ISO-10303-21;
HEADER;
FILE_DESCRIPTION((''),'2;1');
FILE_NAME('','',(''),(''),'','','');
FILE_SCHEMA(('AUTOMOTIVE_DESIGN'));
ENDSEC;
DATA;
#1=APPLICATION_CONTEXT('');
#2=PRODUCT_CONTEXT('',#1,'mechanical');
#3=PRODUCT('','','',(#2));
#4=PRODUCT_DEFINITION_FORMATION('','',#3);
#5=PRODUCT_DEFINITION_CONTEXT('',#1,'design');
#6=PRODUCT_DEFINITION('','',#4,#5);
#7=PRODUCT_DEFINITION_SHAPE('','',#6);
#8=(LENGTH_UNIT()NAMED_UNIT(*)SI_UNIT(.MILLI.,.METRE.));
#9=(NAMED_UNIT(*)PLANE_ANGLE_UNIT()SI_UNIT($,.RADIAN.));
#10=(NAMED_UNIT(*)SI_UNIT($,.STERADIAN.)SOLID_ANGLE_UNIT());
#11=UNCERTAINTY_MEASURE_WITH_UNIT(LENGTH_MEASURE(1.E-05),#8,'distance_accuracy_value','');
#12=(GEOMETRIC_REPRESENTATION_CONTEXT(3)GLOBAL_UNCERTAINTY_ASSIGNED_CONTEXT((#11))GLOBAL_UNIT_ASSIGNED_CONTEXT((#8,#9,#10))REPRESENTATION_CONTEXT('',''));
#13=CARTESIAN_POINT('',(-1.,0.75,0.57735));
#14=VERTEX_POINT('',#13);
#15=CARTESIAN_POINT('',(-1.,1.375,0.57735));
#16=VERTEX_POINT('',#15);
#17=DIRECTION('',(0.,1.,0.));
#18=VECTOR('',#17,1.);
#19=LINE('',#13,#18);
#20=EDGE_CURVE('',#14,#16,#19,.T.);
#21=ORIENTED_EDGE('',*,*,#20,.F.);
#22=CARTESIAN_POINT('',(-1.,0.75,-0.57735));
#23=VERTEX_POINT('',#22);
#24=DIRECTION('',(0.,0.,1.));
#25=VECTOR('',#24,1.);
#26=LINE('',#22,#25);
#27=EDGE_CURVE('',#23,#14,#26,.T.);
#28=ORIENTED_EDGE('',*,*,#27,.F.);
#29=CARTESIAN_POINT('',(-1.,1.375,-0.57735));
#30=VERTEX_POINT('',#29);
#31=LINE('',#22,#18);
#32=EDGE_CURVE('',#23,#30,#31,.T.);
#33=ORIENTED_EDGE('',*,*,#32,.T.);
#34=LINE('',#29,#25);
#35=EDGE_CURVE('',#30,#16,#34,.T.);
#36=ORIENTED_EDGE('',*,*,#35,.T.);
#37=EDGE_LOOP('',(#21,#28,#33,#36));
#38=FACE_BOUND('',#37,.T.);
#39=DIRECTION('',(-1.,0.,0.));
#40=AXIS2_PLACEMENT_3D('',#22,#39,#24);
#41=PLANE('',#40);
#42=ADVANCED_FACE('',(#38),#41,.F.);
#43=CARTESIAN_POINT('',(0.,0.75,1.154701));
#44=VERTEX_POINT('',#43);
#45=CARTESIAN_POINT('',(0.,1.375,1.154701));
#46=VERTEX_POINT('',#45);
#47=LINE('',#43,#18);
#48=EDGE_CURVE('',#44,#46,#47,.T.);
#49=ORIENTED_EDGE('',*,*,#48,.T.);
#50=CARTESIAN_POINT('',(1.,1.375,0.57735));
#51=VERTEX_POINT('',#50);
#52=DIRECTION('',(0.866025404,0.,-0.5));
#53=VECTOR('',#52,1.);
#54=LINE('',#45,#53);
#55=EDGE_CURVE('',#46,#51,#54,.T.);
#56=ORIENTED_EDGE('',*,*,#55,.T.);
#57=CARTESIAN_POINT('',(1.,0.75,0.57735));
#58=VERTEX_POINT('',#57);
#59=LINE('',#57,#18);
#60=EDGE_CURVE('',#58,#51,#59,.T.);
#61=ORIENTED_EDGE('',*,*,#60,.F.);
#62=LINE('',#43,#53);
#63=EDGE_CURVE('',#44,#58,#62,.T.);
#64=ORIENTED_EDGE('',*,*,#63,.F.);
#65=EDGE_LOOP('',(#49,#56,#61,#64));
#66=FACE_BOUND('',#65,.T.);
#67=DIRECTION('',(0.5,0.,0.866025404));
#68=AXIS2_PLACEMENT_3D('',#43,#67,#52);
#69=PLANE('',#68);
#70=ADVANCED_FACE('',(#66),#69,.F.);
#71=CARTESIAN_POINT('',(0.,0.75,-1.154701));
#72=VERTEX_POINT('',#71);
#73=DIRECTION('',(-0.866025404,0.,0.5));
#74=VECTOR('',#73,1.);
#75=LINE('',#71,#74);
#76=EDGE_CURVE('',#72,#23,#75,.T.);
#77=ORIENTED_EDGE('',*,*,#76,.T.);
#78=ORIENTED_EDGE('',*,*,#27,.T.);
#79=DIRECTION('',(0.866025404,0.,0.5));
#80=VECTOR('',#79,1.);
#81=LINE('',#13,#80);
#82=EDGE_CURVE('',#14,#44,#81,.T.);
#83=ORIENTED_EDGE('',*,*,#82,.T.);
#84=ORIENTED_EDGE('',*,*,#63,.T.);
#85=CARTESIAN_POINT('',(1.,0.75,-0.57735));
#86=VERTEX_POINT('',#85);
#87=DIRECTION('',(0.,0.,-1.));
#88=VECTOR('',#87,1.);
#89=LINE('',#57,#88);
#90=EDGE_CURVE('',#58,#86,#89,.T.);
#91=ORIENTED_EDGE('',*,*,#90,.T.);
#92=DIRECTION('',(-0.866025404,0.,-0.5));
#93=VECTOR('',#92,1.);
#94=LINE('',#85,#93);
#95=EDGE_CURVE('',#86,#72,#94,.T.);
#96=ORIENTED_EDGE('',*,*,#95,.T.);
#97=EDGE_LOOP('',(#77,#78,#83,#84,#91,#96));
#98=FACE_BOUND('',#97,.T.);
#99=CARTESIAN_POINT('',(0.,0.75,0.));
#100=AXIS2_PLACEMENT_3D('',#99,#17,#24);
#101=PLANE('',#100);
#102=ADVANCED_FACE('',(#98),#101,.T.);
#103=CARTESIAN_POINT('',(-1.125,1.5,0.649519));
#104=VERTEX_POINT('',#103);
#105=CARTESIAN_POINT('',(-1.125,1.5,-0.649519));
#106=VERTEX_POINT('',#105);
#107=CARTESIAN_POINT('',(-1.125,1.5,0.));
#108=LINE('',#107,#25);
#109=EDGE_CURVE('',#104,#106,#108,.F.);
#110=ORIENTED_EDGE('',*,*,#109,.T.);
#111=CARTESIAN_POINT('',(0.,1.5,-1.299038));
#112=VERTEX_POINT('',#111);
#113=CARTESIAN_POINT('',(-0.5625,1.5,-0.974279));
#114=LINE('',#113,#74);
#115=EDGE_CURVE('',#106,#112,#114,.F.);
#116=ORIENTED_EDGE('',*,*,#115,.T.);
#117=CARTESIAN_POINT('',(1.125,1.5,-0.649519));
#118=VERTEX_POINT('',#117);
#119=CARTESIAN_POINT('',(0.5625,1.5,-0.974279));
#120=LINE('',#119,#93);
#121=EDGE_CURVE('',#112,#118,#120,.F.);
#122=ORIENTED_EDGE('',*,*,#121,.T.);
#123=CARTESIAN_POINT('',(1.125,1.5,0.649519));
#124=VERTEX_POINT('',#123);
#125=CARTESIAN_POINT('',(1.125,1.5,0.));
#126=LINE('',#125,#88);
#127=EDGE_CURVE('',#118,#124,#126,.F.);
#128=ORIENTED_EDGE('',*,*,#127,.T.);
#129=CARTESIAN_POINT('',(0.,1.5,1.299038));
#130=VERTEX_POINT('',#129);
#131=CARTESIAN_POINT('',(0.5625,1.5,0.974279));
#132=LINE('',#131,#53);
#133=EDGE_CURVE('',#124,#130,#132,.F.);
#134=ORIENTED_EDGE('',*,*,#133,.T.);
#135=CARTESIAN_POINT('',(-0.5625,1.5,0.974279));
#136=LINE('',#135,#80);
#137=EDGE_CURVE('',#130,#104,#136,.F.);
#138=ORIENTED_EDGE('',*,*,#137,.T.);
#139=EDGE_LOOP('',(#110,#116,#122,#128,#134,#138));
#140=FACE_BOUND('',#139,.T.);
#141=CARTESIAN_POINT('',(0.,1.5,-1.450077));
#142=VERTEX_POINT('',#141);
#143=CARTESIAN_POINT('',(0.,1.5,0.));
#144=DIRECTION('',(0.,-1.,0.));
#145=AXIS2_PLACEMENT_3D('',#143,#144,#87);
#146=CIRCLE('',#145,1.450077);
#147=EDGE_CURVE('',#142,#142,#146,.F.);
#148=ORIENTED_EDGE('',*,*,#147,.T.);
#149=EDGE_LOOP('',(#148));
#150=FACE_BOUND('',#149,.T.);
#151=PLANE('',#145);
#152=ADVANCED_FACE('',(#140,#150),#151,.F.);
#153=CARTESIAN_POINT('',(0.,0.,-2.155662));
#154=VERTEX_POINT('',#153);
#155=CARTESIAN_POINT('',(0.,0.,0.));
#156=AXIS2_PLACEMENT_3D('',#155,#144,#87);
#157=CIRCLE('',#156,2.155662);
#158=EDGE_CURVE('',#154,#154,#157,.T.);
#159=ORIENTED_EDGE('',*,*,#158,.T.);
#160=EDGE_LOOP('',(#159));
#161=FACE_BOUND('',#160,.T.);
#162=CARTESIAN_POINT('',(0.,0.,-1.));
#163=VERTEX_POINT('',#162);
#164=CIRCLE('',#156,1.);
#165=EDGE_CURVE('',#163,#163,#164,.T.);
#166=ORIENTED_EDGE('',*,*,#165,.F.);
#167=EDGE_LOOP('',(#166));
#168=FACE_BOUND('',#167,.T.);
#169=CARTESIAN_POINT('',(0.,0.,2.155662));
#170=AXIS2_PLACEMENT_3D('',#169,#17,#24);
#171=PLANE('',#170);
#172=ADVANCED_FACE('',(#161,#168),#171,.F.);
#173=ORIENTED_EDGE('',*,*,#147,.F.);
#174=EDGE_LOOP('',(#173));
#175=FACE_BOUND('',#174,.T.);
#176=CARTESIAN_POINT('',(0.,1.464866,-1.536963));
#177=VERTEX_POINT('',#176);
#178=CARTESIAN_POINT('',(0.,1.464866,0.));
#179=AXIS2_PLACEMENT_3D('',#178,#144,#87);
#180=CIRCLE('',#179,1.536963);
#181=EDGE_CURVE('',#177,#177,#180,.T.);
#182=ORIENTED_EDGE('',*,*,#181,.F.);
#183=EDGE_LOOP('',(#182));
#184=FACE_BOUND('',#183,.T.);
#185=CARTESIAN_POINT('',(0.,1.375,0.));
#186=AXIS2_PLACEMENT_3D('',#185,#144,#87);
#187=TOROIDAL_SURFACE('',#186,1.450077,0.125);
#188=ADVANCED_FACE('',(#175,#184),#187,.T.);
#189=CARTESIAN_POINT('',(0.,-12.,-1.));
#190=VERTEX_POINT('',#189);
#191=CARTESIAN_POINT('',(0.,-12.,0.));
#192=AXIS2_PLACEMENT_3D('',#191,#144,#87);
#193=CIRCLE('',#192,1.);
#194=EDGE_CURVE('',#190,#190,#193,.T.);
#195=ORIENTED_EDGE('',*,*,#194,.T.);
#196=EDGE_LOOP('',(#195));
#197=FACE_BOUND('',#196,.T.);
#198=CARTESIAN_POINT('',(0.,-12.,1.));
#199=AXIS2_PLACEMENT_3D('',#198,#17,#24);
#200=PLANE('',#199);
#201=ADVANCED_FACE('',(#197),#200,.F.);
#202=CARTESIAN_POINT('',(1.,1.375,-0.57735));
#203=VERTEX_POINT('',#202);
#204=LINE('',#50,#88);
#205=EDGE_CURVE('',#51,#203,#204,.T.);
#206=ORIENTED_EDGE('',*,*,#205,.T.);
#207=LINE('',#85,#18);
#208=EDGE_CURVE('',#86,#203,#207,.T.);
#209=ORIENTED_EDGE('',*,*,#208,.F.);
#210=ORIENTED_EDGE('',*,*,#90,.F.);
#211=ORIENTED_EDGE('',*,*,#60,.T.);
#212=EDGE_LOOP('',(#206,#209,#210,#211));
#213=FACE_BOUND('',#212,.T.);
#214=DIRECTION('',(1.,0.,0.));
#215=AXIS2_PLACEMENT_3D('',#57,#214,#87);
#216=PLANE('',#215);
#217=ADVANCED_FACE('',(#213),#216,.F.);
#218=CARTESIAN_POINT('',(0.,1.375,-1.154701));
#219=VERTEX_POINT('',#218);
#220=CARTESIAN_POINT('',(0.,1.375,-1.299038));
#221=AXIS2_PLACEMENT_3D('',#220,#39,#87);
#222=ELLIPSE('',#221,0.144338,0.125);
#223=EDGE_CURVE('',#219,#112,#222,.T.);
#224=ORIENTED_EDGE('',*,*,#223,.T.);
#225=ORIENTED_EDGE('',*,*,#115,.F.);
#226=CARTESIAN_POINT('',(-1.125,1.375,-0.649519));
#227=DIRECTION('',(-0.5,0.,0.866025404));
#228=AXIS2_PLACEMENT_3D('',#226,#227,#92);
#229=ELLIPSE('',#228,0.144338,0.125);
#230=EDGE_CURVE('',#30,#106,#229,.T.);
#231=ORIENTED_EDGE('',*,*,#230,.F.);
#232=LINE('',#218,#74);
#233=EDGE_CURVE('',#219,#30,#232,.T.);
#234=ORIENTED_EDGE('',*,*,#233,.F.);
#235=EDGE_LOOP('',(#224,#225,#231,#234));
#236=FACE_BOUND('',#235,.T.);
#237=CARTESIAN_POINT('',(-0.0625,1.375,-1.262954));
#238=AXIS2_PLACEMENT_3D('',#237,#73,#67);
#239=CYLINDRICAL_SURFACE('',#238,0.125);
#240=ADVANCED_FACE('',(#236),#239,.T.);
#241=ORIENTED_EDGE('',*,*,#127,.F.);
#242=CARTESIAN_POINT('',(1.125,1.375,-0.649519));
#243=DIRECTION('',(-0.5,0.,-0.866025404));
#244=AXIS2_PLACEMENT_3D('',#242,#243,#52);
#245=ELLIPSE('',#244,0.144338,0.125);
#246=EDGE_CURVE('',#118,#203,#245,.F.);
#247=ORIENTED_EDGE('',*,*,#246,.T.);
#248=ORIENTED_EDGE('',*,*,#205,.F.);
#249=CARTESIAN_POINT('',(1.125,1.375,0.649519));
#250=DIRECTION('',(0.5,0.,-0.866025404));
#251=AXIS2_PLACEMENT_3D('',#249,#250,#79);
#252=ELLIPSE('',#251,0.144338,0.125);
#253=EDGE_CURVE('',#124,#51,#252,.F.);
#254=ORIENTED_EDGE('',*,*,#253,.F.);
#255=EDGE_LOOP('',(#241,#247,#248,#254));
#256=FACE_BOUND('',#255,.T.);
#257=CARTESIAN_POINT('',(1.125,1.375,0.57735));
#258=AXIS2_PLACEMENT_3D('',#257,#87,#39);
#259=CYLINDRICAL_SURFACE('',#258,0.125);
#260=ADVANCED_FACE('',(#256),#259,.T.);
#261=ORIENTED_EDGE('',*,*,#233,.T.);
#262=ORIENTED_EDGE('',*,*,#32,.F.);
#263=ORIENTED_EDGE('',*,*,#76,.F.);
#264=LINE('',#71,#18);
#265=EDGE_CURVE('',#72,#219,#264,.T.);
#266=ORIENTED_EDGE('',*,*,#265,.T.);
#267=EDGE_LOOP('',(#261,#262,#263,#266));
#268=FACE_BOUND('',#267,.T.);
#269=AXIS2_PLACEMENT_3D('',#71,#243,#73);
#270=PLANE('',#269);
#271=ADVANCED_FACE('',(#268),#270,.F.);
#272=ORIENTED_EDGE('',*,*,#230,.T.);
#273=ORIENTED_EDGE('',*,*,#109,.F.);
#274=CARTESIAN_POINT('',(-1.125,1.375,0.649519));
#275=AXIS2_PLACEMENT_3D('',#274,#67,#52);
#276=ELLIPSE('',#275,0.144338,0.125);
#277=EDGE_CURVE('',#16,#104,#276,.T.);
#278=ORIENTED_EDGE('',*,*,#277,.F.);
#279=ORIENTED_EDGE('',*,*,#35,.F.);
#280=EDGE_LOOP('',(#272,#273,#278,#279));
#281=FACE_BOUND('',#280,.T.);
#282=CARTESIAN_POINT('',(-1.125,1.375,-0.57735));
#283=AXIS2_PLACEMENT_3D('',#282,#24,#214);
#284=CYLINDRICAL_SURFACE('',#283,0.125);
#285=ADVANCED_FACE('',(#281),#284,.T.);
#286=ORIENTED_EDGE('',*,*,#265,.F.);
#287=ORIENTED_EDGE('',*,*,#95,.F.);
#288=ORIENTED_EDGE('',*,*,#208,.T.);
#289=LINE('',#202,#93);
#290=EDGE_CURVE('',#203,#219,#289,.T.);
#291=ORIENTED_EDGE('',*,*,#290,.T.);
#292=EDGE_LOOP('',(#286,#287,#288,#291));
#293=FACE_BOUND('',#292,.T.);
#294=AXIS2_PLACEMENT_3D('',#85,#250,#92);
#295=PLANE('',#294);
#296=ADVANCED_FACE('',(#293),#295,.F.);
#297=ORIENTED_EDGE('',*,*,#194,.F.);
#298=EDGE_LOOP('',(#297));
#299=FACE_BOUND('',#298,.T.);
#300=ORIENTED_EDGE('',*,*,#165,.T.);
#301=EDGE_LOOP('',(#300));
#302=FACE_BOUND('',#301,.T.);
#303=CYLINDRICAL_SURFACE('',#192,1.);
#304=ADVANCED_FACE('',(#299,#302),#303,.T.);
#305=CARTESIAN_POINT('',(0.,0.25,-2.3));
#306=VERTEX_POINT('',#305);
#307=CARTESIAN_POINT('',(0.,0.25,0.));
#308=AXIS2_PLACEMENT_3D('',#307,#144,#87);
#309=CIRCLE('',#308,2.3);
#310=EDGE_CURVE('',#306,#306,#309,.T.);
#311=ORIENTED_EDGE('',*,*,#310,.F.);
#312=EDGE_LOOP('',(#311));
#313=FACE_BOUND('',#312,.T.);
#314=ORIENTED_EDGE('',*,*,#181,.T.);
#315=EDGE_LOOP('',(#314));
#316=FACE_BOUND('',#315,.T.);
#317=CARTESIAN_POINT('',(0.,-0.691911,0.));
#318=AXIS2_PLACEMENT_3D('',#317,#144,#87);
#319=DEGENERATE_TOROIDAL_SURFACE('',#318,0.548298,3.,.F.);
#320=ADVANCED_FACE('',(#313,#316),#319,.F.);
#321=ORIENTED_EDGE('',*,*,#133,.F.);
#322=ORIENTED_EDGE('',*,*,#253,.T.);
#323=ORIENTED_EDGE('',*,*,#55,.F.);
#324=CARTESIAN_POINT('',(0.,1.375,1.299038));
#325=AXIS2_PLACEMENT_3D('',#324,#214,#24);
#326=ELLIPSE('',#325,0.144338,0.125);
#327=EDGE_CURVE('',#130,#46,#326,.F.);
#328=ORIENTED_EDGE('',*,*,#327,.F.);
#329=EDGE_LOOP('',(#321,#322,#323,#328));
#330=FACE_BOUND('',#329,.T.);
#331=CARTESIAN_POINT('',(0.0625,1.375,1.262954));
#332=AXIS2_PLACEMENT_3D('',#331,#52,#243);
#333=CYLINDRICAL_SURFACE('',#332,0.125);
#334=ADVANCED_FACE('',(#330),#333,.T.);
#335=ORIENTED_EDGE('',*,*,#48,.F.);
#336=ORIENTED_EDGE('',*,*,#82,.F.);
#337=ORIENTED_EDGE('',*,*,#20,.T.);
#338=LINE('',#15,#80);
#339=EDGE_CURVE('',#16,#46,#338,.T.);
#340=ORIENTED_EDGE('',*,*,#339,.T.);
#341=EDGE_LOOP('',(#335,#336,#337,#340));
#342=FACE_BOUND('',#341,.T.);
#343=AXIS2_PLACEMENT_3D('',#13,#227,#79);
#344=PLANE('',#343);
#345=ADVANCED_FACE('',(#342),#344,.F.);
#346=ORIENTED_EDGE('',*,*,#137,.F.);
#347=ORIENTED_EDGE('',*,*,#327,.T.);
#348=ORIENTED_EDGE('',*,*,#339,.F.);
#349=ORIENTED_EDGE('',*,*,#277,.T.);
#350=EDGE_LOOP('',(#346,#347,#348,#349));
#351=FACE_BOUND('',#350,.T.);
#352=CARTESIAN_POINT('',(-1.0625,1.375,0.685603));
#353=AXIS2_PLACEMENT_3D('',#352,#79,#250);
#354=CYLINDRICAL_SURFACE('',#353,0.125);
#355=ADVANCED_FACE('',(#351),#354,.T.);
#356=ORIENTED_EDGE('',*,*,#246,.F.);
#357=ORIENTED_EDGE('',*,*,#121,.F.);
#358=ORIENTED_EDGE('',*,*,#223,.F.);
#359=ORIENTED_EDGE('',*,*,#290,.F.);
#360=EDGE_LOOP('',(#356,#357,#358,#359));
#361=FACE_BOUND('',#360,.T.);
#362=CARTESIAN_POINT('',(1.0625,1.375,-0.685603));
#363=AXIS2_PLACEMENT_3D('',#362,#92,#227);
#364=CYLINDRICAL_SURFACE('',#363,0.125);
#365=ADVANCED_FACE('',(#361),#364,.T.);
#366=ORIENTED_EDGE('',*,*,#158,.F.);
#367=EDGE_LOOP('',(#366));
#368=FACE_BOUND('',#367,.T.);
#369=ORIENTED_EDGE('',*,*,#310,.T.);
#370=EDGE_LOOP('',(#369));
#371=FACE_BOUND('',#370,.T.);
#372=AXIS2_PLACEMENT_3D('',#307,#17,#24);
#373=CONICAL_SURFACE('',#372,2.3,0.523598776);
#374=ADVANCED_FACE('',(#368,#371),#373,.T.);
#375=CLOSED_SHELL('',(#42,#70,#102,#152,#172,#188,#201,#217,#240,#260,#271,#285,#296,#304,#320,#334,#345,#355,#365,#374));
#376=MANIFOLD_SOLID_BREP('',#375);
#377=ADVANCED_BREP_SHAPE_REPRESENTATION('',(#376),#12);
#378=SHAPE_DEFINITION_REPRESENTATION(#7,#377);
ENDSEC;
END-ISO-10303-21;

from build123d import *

# Parameters (mm, degrees)
CUT_EXTRUDE1_DEPTH = 0.75
FILLET1_R          = 0.125


with BuildPart() as part:
    # Sketch1 → Revolve1 (revolve)
    with BuildSketch(Plane(origin=(0, 0, 0), x_dir=(0, 0, -1), z_dir=(1, 0, 0))):
        with BuildLine():
            Line((0, 1.5), (-1.5, 1.5))
            ThreePointArc((-1.5, 1.5), (-1.978515811, 0.925250119), (-2.3, 0.25))
            Line((-2.3, 0.25), (-2.155662433, 0))
            Line((-2.155662433, 0), (-1, 0))
            Line((-1, 0), (-1, -12))
            Line((-1, -12), (0, -12))
            Line((0, -12), (0, 1.5))
        make_face()
    revolve(axis=Axis((0, -12, 0), (0, 1, 0)))

    # Sketch2 → Cut-Extrude1 (cut)
    with BuildSketch(Plane(origin=(0, 1.5, 0), x_dir=(1, 0, 0), z_dir=(0, 1, 0))):
        Polygon((0, 1.154700538), (-1, 0.577350269), (-1, -0.577350269), (0, -1.154700538), (1, -0.577350269), (1, 0.577350269), align=None)
    extrude(amount=-CUT_EXTRUDE1_DEPTH, mode=Mode.SUBTRACT)

    # Fillet1
    fillet1_edges = [part.edges().sort_by_distance(p)[0] for p in [
        (0.5, 1.5, -0.866025404),
        (-0.5, 1.5, -0.866025404),
        (-1, 1.5, 0),
        (-0.5, 1.5, 0.866025404),
        (0.5, 1.5, 0.866025404),
        (1, 1.5, 0),
        (0, 1.5, -1.5),
    ]]
    fillet(fillet1_edges, radius=FILLET1_R)


solid = part.part
